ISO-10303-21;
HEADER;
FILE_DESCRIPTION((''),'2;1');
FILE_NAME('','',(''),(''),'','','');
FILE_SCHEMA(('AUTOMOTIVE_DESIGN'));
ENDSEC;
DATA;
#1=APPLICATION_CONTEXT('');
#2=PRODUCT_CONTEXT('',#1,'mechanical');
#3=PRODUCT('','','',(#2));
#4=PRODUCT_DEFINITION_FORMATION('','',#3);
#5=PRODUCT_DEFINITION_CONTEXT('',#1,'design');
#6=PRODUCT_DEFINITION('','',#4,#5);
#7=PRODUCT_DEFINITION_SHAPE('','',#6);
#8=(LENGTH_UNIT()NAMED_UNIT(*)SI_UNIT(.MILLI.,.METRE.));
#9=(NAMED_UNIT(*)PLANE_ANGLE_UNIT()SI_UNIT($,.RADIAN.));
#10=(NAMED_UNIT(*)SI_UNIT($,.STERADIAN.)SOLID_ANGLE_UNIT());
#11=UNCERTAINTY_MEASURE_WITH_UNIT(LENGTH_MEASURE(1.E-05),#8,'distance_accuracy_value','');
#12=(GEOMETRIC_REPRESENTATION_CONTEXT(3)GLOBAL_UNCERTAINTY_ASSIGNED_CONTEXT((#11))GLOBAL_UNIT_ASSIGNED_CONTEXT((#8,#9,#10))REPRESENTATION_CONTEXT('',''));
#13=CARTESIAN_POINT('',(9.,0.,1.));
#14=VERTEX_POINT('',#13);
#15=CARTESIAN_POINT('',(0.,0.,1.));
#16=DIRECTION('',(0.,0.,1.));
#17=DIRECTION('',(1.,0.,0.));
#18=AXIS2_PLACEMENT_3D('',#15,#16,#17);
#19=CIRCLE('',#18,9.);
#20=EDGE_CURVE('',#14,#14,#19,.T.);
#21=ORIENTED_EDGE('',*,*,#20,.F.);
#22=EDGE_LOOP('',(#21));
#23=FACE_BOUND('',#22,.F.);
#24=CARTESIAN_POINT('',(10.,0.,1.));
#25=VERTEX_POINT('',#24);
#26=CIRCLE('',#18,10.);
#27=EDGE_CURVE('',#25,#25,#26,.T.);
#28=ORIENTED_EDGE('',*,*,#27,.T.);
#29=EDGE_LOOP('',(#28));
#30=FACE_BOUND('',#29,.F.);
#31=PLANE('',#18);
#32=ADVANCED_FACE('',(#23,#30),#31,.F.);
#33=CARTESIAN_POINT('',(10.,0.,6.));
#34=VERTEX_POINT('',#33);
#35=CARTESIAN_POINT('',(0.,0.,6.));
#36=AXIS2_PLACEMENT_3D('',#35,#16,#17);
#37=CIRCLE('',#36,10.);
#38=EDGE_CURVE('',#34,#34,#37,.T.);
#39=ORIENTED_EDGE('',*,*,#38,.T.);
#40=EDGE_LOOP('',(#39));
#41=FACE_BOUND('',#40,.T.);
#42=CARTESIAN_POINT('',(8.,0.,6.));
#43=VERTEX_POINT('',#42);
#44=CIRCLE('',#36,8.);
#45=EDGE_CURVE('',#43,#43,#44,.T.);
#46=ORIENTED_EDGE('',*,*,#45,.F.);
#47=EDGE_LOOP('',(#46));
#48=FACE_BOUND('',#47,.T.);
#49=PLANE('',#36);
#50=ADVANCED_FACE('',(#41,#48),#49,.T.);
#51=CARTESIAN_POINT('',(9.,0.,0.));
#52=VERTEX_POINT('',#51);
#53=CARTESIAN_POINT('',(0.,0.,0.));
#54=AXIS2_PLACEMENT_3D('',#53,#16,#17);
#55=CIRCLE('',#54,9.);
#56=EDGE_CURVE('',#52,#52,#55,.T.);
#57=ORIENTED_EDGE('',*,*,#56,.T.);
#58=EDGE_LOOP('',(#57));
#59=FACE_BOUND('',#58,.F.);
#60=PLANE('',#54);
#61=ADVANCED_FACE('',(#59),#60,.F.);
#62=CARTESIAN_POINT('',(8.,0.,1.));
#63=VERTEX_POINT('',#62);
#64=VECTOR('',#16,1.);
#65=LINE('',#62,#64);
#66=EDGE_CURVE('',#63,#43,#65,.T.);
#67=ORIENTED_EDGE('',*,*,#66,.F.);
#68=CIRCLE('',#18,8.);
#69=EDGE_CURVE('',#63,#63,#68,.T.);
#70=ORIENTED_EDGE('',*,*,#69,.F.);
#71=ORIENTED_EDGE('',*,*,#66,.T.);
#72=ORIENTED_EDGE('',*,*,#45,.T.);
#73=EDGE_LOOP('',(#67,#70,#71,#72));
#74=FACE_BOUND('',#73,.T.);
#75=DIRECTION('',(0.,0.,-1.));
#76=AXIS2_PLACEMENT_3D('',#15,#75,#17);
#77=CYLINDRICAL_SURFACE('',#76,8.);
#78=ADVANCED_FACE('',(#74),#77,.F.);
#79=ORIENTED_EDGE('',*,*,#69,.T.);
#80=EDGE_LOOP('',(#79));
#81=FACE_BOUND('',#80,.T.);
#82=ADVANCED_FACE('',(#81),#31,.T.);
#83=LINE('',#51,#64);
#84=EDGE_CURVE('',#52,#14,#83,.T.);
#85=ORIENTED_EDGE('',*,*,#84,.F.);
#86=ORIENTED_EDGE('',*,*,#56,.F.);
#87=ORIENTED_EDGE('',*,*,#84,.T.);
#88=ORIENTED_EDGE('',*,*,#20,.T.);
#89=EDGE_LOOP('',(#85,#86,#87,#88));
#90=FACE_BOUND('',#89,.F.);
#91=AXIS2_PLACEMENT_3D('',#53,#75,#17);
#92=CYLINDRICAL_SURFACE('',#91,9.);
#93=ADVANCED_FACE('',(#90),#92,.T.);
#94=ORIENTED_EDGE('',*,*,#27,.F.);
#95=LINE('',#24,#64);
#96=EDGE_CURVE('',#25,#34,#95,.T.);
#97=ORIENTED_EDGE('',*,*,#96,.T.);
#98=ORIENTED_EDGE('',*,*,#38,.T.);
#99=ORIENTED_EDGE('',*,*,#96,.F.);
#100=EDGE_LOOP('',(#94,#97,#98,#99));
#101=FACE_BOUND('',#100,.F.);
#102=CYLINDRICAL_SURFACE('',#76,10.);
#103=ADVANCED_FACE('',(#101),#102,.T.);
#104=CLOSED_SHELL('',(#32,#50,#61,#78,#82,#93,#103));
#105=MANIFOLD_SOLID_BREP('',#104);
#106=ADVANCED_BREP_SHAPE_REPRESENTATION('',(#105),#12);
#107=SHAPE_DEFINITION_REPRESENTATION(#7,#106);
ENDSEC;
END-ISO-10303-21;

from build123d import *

# Parameters (mm, degrees)
SKETCH_R      = 9
PAD_DEPTH     = 1
SKETCH002_R   = 10
SKETCH002_R_2 = 8
PAD001_DEPTH  = 5


with BuildPart() as part:
    # Sketch → Pad (new body)
    with BuildSketch(Plane.XY):
        Circle(SKETCH_R)
    extrude(amount=PAD_DEPTH)

    # Sketch002 (on Face3 of Pad) → Pad001 (join)
    with BuildSketch(Plane.XY.offset(1)):
        Circle(SKETCH002_R)
        Circle(SKETCH002_R_2, mode=Mode.SUBTRACT)
    extrude(amount=PAD001_DEPTH)


solid = part.part
